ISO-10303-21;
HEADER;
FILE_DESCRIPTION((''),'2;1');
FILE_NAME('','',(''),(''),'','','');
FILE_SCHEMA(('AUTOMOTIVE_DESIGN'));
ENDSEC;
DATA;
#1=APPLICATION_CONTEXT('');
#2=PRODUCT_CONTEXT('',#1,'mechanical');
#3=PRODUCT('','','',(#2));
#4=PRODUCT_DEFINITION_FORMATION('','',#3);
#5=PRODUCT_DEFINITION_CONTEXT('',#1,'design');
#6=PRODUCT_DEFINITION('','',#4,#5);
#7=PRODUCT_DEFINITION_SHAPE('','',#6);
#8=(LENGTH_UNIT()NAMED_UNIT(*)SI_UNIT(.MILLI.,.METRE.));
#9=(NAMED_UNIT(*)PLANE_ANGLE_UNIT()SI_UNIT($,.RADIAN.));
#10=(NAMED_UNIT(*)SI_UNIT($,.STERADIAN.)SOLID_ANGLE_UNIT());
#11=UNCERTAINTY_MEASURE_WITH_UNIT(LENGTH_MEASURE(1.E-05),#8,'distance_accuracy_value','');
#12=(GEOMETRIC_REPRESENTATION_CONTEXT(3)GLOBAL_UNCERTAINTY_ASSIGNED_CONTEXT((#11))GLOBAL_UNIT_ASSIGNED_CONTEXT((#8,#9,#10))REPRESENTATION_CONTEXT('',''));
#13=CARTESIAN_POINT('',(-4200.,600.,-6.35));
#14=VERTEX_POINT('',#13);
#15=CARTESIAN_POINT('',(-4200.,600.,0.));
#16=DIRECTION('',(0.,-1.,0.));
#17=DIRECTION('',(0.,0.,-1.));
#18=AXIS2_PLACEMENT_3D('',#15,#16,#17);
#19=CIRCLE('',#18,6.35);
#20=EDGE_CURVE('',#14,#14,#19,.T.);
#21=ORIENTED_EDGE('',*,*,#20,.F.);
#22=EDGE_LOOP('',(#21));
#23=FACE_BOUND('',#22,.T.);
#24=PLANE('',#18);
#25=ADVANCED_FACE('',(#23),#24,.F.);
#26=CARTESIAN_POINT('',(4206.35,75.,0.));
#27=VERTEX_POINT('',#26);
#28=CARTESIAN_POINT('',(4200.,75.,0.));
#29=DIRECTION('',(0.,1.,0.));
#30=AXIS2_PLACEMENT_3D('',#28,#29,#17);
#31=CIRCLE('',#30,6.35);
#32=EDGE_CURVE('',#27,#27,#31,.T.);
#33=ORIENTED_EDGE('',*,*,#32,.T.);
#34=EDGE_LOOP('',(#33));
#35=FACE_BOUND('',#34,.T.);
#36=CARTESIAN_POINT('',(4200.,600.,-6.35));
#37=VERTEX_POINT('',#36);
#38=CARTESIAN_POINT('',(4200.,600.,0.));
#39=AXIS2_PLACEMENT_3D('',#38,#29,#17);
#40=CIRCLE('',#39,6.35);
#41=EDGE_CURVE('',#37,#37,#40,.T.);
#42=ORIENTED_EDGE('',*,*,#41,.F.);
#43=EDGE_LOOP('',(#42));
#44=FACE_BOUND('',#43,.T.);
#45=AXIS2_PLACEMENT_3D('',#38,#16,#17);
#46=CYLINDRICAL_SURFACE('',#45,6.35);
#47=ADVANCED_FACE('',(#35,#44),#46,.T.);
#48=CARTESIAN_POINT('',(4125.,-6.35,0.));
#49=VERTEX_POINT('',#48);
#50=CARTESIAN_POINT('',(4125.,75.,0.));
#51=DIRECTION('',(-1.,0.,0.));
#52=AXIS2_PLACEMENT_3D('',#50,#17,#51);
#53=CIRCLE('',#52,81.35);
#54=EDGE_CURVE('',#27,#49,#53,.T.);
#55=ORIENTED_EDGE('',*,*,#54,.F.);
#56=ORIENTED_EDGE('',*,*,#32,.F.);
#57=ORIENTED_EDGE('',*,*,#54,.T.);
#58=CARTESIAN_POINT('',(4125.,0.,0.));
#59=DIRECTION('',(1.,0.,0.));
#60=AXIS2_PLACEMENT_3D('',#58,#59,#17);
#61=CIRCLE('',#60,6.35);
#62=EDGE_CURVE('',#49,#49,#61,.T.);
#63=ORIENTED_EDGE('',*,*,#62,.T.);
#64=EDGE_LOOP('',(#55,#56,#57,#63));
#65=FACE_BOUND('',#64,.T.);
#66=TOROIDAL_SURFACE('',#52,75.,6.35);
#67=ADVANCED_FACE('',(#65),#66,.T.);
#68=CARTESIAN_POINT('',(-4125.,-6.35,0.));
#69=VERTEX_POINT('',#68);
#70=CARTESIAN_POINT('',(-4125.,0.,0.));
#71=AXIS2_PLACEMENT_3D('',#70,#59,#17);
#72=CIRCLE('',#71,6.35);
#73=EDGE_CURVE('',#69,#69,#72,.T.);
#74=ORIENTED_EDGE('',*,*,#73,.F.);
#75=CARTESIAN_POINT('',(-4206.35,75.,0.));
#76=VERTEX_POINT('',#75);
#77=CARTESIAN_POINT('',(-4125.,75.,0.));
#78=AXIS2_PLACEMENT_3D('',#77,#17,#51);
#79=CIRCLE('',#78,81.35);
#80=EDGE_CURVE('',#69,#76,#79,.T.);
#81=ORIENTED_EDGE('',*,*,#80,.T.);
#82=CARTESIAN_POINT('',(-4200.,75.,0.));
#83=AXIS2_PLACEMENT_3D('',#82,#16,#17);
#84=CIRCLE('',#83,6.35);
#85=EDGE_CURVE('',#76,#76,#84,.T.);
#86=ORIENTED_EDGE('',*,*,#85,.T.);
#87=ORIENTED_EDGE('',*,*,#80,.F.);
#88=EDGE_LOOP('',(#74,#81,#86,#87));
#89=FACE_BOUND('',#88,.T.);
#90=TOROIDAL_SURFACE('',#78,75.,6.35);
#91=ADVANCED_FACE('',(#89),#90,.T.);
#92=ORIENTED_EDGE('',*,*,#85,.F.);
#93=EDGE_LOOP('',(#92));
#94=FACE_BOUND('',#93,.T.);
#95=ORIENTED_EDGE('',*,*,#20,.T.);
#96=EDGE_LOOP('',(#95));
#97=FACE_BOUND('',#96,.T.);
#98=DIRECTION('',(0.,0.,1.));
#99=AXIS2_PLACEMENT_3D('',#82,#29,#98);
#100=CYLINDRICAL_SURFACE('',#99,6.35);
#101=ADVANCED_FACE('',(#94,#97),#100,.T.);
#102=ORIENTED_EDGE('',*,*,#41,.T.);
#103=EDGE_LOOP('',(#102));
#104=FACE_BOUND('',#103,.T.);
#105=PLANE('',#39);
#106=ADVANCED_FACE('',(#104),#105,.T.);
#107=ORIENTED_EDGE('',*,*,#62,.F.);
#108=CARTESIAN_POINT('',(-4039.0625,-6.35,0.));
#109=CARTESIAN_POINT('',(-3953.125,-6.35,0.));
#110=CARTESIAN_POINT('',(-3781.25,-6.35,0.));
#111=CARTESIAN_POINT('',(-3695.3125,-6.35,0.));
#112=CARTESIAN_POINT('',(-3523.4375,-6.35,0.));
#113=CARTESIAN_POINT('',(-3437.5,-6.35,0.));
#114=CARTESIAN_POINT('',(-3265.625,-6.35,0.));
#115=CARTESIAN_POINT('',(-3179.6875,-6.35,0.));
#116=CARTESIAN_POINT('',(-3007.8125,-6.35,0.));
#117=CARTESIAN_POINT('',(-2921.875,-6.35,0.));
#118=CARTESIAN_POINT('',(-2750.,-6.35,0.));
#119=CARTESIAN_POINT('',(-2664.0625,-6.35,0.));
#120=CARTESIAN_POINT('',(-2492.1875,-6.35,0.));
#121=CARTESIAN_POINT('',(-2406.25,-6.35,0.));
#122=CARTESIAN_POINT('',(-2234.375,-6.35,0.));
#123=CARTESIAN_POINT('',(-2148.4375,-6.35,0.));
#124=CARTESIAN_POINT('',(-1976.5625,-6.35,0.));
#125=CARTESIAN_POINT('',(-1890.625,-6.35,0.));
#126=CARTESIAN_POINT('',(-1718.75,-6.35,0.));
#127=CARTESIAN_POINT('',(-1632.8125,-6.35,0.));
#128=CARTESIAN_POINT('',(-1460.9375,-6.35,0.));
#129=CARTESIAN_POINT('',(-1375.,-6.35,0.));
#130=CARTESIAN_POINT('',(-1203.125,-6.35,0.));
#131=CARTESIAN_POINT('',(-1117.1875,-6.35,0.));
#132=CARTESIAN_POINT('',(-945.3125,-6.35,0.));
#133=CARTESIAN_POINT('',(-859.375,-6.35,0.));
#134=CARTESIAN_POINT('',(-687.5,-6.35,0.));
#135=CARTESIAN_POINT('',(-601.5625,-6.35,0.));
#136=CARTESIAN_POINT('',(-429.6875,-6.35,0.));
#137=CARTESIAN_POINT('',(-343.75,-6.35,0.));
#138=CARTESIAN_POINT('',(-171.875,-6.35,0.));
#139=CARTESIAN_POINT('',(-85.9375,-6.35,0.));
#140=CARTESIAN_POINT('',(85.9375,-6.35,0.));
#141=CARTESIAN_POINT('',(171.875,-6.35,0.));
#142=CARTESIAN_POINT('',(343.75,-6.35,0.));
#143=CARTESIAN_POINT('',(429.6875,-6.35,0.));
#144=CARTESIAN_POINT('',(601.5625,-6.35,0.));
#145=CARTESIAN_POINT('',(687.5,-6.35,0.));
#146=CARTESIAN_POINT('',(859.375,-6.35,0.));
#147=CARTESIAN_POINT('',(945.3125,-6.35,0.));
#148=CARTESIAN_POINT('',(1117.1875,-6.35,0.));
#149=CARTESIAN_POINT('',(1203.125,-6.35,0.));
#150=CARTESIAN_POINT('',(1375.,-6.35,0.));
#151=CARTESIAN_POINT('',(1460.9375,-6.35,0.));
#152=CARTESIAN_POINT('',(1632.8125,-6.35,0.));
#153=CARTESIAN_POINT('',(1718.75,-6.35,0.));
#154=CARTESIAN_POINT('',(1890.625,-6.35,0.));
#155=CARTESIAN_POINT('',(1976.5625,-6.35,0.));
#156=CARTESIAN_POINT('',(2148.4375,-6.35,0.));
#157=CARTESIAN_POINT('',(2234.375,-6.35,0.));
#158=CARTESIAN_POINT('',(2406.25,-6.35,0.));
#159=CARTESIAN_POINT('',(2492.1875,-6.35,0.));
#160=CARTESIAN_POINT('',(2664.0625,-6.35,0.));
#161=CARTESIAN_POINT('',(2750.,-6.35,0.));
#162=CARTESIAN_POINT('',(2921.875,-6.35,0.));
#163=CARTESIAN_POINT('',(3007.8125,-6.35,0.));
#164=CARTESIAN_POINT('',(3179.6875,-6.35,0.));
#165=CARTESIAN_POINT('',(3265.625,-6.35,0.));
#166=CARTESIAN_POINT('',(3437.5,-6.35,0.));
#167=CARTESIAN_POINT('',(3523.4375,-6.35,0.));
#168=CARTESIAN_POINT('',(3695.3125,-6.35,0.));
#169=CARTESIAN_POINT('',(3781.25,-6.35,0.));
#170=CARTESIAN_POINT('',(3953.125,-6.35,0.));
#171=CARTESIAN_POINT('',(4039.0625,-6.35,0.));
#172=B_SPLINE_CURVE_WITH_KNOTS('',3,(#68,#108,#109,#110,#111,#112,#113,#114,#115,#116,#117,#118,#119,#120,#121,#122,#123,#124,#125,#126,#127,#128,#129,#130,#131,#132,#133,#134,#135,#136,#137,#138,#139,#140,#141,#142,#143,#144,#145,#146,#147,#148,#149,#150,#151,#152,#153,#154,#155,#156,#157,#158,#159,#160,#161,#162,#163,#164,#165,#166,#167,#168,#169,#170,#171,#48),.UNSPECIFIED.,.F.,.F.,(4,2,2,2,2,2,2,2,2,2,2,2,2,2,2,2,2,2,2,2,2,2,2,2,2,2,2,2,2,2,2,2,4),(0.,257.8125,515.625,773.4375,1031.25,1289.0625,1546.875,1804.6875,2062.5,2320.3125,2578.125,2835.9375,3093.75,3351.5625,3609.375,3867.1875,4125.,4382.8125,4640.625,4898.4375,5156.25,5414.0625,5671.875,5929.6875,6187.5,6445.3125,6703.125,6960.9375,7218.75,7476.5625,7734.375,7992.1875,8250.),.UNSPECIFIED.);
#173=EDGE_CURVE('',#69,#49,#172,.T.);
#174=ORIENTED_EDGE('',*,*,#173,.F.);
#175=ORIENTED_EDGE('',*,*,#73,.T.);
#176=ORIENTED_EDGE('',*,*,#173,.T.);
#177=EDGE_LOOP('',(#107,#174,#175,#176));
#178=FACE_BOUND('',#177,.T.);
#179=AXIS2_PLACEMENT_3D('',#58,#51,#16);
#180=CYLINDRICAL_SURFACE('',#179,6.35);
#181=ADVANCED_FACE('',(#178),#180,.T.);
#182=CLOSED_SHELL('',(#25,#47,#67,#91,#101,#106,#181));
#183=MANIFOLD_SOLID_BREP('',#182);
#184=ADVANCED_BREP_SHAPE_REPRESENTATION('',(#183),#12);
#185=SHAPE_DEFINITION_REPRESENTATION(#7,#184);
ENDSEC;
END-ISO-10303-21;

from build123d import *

# Parameters (mm, degrees)
SWEEP1_PROFILE_R = 6.35


with BuildPart() as part:
    # Sweep1: sweep along a path in Sketch1
    with BuildLine(Plane.XY) as sweep1_path:
        Line((-4200, 600), (-4200, 75))
        ThreePointArc((-4200, 75), (-4178.033008589, 21.966991411), (-4125, 0))
        Line((-4125, 0), (4125, 0))
        ThreePointArc((4125, 0), (4178.033008589, 21.966991411), (4200, 75))
        Line((4200, 75), (4200, 600))
    # Sweep1 profile (on start of the path) → Sweep1 (sweep)
    with BuildSketch(Plane(origin=(-4200, 600, 0), x_dir=(0, 0, -1), z_dir=(0, -1, 0))):
        Circle(SWEEP1_PROFILE_R)
    sweep(path=sweep1_path.line)


solid = part.part
